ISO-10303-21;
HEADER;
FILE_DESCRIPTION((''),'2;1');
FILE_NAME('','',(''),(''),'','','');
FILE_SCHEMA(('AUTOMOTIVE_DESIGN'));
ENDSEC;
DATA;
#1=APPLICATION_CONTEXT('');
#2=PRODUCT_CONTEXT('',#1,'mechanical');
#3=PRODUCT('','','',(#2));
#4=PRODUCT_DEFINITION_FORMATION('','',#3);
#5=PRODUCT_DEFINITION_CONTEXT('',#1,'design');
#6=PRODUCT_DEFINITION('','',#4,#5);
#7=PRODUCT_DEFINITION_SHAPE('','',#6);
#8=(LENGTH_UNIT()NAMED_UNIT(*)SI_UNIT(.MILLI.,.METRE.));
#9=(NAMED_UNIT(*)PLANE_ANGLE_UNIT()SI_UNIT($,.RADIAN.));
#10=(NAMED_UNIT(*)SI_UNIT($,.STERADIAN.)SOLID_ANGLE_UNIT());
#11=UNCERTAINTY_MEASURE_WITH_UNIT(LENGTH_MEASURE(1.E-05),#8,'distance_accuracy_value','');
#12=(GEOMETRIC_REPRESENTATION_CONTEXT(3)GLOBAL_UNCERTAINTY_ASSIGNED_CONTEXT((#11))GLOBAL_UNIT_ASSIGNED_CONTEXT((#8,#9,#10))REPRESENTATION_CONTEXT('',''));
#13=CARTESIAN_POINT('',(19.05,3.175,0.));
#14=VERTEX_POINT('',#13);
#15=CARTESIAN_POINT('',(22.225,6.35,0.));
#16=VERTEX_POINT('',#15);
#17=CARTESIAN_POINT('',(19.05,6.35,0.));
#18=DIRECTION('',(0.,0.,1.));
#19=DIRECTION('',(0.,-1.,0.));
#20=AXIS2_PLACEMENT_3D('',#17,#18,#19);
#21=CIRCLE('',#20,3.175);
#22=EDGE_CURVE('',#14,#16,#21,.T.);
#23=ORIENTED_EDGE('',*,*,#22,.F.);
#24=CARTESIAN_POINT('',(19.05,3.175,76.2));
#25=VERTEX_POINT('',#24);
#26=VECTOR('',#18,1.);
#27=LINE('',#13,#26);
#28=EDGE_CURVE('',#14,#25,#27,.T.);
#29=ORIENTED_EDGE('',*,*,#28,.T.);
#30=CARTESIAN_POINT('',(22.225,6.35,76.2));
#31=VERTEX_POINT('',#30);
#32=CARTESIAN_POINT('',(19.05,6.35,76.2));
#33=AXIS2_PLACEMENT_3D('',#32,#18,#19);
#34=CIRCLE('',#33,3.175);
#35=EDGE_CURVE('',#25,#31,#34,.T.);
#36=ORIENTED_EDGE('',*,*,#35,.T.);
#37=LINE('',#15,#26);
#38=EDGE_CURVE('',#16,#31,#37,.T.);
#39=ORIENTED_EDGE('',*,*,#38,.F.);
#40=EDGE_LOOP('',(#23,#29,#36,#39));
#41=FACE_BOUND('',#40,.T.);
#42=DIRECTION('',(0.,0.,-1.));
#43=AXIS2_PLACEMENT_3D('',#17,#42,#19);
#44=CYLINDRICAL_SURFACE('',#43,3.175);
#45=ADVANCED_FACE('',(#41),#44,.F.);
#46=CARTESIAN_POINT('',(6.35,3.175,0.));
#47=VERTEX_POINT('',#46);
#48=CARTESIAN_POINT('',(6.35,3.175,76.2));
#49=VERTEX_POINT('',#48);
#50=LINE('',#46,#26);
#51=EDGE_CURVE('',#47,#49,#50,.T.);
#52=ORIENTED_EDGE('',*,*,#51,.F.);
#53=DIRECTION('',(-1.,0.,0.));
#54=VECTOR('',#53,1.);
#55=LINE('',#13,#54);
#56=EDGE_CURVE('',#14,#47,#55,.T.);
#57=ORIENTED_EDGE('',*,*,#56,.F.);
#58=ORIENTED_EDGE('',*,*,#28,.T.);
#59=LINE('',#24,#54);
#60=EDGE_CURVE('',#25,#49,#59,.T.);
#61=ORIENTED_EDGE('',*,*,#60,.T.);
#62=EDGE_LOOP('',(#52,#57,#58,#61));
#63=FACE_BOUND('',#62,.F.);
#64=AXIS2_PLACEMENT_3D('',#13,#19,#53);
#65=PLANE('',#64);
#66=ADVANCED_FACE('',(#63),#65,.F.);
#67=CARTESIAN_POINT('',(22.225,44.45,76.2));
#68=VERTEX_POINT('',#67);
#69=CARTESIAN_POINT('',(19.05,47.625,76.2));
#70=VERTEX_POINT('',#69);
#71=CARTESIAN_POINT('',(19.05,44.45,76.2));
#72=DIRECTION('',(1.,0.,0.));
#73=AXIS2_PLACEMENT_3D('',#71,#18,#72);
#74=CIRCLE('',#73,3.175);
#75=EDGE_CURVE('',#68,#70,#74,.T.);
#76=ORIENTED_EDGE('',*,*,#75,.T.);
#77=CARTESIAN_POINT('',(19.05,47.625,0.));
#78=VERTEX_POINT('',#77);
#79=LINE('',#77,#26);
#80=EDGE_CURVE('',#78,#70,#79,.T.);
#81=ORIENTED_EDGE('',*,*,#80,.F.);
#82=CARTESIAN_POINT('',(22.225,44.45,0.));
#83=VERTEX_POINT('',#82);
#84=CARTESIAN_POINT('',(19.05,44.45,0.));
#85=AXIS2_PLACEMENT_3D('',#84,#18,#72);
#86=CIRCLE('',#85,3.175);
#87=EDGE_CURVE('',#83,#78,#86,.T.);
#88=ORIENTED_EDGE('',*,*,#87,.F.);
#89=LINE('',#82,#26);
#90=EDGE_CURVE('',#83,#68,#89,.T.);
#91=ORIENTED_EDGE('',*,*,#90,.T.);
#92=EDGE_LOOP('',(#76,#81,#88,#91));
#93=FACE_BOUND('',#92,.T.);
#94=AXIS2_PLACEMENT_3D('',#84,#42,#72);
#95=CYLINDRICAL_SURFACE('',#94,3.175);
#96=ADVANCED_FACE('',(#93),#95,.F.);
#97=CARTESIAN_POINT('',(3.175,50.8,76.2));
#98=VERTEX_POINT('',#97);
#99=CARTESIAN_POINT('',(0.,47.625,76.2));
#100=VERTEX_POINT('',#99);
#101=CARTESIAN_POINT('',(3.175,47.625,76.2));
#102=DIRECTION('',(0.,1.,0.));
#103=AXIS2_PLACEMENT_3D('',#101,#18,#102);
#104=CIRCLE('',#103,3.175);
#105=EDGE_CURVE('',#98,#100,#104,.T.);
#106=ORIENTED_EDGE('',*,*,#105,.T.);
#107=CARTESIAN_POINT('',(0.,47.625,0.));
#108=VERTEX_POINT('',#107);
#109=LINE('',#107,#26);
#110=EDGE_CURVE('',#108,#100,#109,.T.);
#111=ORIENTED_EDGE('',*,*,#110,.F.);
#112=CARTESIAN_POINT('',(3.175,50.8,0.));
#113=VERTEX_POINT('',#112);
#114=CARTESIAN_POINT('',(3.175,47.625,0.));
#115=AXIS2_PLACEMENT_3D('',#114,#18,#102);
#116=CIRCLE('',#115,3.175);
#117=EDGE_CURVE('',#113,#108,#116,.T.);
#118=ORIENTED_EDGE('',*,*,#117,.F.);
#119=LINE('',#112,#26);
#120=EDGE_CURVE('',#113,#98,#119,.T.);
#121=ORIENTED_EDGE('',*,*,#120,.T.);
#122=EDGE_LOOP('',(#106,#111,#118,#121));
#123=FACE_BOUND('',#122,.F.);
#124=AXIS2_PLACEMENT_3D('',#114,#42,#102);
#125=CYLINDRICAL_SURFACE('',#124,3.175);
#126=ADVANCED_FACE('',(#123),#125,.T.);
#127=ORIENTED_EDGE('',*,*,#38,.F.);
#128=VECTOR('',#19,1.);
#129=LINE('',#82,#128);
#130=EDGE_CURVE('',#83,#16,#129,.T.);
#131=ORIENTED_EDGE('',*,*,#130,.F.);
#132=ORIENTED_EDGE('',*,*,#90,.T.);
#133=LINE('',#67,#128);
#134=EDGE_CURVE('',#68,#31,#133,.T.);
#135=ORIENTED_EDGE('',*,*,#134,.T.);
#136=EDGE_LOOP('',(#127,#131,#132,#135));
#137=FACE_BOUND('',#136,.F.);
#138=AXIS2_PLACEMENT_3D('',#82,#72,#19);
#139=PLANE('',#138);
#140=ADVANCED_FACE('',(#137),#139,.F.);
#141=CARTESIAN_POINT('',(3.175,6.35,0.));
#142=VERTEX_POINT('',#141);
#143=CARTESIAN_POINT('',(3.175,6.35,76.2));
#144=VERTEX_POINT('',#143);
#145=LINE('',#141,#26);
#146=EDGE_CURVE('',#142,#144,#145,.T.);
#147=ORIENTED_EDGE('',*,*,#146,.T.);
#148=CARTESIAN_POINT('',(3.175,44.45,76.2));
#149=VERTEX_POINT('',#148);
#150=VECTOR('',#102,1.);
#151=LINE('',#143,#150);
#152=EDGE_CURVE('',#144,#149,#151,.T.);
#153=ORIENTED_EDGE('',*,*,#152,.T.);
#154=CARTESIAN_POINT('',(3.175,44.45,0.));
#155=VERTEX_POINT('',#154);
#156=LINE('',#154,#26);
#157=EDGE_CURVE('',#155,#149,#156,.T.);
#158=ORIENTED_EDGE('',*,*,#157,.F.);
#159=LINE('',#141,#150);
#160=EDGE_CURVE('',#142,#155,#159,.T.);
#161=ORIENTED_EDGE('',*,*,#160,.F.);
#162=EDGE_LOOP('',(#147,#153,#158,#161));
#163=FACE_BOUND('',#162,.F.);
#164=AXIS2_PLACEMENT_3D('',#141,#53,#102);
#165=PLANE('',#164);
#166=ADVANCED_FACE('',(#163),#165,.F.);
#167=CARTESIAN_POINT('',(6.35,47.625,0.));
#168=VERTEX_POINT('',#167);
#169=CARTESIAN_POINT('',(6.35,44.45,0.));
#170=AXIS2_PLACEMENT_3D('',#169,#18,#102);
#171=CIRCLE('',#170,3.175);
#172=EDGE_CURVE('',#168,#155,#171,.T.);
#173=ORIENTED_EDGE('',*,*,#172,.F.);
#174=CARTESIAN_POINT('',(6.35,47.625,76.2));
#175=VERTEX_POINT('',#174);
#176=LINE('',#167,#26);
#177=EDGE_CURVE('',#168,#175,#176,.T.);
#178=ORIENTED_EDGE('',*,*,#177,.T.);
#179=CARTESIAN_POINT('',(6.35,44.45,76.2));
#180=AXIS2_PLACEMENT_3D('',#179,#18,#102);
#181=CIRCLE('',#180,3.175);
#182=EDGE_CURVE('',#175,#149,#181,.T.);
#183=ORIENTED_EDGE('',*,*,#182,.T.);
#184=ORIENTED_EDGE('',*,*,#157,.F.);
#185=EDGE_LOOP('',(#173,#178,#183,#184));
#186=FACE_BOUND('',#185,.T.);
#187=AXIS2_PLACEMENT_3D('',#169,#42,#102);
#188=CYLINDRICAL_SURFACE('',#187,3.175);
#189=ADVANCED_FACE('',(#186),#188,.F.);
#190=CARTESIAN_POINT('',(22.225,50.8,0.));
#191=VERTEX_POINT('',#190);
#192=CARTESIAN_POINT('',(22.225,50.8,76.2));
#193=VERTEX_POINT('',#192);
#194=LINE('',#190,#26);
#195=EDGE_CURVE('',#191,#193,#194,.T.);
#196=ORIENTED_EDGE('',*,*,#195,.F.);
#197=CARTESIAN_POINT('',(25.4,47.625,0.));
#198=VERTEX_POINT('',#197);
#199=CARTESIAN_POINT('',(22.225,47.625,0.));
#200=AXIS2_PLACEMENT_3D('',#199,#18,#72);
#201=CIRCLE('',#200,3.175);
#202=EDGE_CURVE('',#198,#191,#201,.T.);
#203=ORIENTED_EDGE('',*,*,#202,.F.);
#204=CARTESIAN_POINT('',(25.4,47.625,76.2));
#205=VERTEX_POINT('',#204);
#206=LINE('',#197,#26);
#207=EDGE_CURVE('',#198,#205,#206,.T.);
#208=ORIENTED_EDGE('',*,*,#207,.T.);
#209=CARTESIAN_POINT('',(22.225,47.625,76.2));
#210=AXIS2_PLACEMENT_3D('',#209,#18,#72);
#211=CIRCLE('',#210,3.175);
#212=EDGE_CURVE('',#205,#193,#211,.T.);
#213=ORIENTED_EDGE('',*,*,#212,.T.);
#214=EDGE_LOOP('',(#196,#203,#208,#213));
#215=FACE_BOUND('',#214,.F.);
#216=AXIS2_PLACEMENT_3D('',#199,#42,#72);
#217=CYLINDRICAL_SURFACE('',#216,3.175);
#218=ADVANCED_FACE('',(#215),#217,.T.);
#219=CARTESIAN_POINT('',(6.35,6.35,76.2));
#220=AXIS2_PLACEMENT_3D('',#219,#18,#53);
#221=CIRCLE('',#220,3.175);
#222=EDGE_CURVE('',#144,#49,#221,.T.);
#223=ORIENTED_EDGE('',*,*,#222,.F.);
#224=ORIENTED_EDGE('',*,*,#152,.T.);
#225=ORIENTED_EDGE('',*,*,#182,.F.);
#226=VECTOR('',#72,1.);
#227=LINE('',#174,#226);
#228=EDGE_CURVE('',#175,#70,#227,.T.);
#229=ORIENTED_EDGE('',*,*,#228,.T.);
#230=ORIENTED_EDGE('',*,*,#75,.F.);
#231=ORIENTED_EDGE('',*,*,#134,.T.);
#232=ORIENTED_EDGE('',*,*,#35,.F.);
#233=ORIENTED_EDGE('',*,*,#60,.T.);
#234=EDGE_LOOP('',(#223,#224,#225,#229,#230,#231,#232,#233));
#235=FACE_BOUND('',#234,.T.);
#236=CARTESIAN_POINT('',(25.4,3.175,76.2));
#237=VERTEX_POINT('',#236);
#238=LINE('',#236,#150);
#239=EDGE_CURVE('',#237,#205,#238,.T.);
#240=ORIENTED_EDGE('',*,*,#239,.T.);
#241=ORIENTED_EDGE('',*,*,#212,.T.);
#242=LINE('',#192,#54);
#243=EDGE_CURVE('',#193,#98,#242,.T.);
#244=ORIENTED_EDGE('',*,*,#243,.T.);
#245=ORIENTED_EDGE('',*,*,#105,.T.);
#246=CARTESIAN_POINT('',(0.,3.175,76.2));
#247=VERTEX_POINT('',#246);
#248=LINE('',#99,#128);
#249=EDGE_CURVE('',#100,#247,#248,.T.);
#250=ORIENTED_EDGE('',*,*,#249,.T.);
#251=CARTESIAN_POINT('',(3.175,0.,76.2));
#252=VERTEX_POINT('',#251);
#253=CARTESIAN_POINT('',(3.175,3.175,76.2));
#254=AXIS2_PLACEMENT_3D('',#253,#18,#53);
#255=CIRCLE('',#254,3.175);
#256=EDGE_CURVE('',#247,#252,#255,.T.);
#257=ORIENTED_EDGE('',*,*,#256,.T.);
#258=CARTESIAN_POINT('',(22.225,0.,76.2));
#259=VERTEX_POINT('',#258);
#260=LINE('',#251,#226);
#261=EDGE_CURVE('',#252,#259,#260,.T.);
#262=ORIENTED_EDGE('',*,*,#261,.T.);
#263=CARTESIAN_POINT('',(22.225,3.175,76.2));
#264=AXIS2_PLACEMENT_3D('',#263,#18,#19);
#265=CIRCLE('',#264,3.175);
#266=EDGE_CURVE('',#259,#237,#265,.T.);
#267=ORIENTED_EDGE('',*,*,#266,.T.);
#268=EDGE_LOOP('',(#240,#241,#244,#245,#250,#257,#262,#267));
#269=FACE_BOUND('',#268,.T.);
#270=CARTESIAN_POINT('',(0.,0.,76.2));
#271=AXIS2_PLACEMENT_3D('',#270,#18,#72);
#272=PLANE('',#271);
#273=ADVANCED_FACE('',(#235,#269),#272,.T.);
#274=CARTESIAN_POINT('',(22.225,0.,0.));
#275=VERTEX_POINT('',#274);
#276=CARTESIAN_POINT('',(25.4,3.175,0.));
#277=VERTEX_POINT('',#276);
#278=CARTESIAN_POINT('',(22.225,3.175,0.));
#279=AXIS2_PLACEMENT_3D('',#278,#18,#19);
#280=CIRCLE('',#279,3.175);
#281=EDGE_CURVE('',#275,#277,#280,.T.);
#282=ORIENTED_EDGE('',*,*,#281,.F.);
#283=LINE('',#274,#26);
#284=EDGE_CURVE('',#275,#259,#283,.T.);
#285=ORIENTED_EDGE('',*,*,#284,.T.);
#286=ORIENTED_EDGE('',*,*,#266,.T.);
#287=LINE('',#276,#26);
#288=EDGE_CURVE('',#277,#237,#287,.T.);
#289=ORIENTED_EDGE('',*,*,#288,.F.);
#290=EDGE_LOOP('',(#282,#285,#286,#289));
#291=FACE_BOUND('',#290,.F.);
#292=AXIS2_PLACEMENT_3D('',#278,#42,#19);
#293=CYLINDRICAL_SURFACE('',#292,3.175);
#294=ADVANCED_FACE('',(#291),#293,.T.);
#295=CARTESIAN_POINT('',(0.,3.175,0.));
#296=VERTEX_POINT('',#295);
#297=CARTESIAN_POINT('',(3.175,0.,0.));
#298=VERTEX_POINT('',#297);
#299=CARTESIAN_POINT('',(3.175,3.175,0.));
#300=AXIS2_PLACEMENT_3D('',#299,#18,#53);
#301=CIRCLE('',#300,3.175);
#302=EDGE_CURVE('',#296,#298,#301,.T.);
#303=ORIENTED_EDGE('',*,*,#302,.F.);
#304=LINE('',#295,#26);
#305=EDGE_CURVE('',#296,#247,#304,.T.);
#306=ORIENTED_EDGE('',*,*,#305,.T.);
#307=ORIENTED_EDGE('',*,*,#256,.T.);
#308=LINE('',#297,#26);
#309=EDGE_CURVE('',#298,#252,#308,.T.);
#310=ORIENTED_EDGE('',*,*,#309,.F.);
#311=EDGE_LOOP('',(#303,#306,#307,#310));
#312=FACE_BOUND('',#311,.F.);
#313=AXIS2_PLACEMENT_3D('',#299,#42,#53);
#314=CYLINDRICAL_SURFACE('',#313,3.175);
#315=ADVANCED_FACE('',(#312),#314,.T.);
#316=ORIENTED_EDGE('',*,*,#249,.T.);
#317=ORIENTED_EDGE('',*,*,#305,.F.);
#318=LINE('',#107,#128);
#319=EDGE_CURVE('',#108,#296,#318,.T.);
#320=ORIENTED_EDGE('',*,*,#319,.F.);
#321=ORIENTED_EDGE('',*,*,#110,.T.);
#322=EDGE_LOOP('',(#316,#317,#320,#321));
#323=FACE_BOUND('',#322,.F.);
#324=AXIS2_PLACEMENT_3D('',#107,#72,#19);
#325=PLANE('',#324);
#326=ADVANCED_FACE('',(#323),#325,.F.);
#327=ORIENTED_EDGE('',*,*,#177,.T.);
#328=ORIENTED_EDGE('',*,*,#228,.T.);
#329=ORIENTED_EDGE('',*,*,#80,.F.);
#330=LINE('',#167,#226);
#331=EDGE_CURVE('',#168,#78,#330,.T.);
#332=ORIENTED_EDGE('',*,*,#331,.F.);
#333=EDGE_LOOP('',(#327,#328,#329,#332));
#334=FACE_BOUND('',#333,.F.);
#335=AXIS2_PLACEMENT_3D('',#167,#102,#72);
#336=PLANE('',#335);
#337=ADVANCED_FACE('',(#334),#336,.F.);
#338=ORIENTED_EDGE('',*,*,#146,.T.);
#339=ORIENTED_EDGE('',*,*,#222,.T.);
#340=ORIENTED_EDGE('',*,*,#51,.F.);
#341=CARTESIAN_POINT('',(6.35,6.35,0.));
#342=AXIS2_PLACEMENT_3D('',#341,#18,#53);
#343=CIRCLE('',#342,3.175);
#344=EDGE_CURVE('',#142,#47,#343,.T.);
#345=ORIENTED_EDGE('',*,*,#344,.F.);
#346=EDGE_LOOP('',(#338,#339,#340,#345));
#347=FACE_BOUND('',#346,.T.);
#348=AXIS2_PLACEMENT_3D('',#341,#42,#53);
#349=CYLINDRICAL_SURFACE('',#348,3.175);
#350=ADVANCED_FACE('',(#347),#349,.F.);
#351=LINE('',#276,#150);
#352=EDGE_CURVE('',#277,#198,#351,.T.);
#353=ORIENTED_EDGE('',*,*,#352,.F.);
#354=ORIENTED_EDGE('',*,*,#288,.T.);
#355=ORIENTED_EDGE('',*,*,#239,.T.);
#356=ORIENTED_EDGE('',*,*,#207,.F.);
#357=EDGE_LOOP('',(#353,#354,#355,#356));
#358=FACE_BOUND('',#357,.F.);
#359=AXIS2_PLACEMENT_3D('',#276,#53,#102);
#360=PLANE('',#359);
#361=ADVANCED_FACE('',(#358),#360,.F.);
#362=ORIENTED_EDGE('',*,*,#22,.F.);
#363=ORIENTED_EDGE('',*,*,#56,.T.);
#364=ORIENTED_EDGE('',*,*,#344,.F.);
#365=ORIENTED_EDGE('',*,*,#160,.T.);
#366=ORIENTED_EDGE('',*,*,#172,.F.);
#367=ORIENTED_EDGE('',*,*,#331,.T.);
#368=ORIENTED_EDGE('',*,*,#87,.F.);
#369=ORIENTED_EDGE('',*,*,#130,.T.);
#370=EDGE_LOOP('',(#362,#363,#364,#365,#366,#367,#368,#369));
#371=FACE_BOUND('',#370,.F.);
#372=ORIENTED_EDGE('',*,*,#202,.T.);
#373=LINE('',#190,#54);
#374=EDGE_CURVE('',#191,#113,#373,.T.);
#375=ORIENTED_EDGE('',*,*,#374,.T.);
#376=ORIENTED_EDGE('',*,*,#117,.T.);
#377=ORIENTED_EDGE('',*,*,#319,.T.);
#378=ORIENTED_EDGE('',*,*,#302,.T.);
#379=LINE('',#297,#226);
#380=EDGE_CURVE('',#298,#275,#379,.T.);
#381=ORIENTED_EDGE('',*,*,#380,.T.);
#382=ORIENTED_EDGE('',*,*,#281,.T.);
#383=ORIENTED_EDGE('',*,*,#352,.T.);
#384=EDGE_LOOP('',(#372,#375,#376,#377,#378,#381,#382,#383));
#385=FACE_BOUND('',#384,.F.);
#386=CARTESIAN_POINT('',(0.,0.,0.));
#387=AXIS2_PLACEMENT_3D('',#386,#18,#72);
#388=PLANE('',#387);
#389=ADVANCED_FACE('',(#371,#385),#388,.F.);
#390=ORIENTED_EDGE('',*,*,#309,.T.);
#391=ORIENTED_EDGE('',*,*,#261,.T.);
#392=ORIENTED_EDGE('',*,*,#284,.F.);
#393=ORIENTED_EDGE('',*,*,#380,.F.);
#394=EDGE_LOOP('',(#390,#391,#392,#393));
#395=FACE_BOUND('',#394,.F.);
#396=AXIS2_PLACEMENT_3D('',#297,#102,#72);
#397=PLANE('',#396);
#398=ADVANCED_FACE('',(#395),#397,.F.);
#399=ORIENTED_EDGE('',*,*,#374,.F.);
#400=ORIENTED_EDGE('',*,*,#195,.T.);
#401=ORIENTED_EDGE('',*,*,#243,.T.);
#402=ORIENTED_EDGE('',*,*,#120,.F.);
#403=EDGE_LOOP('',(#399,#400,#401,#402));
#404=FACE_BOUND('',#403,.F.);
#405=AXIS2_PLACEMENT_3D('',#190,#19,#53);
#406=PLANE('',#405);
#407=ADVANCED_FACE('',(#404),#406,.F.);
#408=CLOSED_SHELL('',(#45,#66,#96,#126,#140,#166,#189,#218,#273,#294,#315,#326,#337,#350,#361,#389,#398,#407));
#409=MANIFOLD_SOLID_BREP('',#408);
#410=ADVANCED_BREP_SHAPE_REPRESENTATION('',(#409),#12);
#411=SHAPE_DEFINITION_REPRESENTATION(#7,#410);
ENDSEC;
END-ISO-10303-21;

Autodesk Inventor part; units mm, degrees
ref_plane "YZ Plane" through (0, 0, 0) normal (1, 0, 0) x (0, 1, 0)
ref_plane "XZ Plane" through (0, 0, 0) normal (0, 1, 0) x (-1, 0, 0)
ref_plane "XY Plane" through (0, 0, 0) normal (0, 0, 1) x (1, 0, 0)
sketch "Sketch1" plane through (0, 0, 0) normal (0, 0, 1) x (1, 0, 0)
  line L0 (3.175, 0) -> (22.225, 0)
  line L1 (25.4, 3.175) -> (25.4, 47.625)
  line L2 (22.225, 50.8) -> (3.175, 50.8)
  line L3 (0, 47.625) -> (0, 3.175)
  arc A0 (3.175, 50.8) -> (0, 47.625) centre (3.175, 47.625) ccw
  arc A1 (25.4, 47.625) -> (22.225, 50.8) centre (22.225, 47.625) ccw
  arc A2 (22.225, 0) -> (25.4, 3.175) centre (22.225, 3.175) ccw
  arc A3 (0, 3.175) -> (3.175, 0) centre (3.175, 3.175) ccw
  line L4 (6.35, 47.625) -> (19.05, 47.625)
  line L5 (22.225, 44.45) -> (22.225, 6.35)
  line L6 (19.05, 3.175) -> (6.35, 3.175)
  line L7 (3.175, 6.35) -> (3.175, 44.45)
  arc A4 (6.35, 47.625) -> (3.175, 44.45) centre (6.35, 44.45) ccw
  arc A5 (22.225, 44.45) -> (19.05, 47.625) centre (19.05, 44.45) ccw
  arc A6 (3.175, 6.35) -> (6.35, 3.175) centre (6.35, 6.35) ccw
  arc A7 (19.05, 3.175) -> (22.225, 6.35) centre (19.05, 6.35) ccw
  point P0 (0, 0)
  point P1 (25.4, 0)
  point P2 (0, 50.8)
  dimension "d0" = 50.8
  dimension "d1" = 25.4
  dimension "d2" = 3.175
  dimension "d3" = 3.175
  dimension "d4" = 3.175
  dimension "d5" = 3.175
  dimension "d6" = 3.175
  dimension "d7" = 3.175
  dimension "d8" = 3.175
  dimension "d9" = 3.175
  dimension "d10" = 3.175
extrude "Extrusion1" add sketch "Sketch1" along normal blind 76.2
properties part number "O channel 3 inch"
